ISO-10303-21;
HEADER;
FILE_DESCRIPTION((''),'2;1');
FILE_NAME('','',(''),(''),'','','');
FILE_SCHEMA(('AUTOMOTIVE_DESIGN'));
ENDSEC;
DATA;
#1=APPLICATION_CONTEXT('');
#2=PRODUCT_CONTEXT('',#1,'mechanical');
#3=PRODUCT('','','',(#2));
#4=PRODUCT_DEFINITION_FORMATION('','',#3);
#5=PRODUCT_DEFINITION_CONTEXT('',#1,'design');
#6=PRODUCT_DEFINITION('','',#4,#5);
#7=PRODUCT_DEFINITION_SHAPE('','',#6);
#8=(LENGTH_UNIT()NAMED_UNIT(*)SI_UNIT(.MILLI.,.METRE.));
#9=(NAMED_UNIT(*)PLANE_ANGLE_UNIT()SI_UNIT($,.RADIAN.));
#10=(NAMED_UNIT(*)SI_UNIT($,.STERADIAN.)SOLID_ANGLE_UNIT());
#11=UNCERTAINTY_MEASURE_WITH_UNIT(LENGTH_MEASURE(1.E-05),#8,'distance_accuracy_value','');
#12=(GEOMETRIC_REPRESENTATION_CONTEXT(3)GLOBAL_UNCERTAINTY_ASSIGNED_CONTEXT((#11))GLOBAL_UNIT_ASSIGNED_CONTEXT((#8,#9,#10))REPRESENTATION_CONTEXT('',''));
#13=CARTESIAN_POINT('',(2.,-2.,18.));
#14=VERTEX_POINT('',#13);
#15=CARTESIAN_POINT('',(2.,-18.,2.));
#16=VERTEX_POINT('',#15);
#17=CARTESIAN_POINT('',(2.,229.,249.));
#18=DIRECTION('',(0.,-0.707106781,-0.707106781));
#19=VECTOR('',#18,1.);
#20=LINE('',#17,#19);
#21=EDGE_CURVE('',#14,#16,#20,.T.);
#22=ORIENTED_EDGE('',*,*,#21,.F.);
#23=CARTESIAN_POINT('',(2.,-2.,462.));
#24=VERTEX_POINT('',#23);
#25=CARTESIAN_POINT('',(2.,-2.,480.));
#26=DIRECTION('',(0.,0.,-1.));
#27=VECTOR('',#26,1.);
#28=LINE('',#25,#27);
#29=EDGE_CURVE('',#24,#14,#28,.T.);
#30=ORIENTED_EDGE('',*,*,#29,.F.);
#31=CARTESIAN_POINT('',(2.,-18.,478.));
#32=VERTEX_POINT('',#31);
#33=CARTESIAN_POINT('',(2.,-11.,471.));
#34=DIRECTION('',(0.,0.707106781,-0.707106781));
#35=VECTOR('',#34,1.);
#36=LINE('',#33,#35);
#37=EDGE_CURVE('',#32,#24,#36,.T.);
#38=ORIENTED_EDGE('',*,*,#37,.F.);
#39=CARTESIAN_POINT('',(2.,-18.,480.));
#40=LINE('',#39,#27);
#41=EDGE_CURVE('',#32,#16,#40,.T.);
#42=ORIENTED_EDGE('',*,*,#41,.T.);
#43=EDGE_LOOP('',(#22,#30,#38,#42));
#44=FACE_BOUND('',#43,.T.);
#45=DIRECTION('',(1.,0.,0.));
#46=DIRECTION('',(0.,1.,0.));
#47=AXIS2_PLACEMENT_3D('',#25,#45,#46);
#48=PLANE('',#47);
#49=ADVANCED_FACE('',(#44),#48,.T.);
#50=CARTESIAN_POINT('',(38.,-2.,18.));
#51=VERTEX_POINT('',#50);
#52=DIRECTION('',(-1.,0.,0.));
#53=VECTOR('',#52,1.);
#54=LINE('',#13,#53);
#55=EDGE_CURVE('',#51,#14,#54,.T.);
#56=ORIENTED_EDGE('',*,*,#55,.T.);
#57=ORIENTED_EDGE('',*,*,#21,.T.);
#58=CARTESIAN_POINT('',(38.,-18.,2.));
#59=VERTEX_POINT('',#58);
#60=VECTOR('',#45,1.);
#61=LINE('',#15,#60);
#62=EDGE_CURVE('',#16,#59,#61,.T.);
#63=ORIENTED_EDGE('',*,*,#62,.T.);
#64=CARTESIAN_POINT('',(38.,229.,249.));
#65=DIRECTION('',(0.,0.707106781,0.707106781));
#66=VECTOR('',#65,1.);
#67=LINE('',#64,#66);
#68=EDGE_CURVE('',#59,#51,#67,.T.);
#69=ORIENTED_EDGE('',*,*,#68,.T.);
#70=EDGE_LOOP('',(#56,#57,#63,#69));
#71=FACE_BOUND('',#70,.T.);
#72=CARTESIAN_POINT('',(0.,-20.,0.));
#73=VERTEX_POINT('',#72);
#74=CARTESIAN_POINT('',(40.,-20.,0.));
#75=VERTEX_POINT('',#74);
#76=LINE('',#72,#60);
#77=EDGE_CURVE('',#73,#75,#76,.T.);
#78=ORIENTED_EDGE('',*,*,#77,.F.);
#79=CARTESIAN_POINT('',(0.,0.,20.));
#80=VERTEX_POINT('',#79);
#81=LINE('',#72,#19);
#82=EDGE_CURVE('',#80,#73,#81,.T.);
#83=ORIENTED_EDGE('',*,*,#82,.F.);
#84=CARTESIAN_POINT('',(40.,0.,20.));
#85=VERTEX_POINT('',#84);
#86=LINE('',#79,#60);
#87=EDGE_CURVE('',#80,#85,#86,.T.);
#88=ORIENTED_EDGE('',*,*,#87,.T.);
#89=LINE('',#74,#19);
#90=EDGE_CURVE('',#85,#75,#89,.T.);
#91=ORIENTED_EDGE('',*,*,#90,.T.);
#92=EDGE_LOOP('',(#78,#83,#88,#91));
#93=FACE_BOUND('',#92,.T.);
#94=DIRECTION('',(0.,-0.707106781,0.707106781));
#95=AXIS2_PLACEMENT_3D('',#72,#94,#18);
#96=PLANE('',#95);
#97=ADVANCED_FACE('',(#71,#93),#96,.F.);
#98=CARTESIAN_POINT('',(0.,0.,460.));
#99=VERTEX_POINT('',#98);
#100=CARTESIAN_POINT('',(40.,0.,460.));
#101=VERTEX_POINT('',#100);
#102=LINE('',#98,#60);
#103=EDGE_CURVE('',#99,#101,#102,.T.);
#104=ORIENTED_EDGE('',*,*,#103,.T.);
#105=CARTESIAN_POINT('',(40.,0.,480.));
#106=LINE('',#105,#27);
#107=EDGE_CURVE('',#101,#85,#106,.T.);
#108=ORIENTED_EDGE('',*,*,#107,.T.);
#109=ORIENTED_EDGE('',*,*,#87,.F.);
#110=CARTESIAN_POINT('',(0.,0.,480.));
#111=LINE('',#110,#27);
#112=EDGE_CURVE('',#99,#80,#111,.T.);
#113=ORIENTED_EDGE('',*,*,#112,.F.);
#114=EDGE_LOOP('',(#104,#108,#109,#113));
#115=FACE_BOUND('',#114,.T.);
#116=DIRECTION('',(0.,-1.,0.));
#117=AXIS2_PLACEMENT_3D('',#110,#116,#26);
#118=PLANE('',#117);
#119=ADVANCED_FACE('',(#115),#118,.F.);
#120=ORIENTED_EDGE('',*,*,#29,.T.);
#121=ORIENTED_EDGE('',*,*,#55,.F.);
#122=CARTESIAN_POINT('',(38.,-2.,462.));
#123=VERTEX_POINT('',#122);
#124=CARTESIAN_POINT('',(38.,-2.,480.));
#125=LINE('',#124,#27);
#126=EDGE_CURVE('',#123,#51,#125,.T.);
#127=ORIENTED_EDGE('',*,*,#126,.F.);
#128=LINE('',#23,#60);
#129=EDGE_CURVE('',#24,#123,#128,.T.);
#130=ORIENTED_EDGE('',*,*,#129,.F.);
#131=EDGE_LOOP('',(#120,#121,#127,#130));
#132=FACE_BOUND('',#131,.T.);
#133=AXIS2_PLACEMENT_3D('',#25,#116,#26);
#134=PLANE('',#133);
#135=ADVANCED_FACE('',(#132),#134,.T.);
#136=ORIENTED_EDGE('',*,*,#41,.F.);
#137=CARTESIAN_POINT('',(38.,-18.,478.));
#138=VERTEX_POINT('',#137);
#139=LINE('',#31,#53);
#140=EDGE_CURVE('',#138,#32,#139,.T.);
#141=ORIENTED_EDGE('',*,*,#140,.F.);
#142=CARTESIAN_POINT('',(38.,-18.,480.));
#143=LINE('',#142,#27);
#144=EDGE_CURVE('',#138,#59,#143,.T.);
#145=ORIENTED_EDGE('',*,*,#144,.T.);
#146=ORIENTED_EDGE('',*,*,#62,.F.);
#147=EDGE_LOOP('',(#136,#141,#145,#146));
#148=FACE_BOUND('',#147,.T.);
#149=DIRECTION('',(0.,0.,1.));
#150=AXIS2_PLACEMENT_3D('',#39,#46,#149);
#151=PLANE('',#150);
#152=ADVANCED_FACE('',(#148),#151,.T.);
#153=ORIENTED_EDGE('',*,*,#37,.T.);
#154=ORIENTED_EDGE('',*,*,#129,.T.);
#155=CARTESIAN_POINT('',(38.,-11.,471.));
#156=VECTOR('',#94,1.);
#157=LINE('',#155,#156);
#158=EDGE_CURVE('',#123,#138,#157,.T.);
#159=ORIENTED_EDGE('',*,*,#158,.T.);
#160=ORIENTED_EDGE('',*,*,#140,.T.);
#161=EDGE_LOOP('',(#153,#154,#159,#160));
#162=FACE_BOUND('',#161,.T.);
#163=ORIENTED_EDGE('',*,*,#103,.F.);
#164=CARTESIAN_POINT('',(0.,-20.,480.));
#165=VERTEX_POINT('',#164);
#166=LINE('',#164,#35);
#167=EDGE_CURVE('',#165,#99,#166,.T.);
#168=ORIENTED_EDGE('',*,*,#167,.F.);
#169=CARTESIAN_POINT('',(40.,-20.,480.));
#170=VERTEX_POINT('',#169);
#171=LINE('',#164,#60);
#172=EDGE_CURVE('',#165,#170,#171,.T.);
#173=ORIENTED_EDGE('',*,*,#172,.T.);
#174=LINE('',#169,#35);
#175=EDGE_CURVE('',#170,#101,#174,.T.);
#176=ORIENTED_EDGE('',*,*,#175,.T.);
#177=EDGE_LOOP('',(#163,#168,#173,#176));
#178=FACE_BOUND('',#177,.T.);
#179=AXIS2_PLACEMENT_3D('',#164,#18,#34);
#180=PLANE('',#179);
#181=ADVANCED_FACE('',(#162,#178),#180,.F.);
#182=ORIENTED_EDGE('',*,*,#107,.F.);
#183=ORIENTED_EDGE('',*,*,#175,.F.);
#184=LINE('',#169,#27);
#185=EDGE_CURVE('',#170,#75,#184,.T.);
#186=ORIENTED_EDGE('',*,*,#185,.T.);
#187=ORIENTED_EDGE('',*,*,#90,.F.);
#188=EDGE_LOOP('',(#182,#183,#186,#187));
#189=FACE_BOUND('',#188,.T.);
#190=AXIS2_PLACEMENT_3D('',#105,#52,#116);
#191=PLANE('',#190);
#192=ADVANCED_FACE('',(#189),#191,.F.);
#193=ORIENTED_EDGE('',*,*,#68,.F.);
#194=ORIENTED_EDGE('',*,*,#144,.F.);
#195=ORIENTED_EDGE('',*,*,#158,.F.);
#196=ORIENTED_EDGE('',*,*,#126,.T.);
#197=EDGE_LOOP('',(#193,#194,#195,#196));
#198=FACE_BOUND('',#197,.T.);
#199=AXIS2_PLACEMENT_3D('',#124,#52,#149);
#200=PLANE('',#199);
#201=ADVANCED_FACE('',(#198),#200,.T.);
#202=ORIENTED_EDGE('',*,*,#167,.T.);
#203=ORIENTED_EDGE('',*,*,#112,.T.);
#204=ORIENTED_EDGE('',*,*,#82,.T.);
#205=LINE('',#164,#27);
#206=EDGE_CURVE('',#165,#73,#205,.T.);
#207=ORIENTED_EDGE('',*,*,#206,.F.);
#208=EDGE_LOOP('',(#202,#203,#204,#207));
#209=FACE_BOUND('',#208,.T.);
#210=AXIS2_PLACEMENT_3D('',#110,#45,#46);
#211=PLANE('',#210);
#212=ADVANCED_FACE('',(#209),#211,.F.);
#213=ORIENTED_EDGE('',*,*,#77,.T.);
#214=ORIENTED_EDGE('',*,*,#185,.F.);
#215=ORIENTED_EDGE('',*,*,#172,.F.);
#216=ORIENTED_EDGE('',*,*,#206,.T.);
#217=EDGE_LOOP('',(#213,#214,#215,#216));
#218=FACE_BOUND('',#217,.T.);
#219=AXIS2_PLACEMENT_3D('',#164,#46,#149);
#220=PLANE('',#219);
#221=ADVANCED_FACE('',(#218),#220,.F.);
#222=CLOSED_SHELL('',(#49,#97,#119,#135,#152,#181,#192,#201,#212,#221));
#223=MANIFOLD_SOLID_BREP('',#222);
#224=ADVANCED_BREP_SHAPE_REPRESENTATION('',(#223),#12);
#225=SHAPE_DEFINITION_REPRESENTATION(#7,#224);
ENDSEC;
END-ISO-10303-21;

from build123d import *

# Parameters (mm, degrees)
SKETCH1_W           = 40
SKETCH1_H           = 20
SKETCH1_W_2         = 36
SKETCH1_H_2         = 16
BOSS_EXTRUDE1_DEPTH = 480
CUT_EXTRUDE1_DEPTH  = 483.078831728


with BuildPart() as part:
    # Sketch1 → Boss-Extrude1 (new body)
    with BuildSketch(Plane.XY):
        with Locations((20, -10)):
            Rectangle(SKETCH1_W, SKETCH1_H)
        with Locations((20, -10)):
            Rectangle(SKETCH1_W_2, SKETCH1_H_2, mode=Mode.SUBTRACT)
    extrude(amount=BOSS_EXTRUDE1_DEPTH)

    # Sketch2 → Cut-Extrude1 (cut, through all)
    with BuildSketch(Plane(origin=(40, 0, 0), x_dir=(0, 0, -1), z_dir=(1, 0, 0))):
        Polygon((-480, -20), (-460, 0), (-480, 0), align=None)
        Polygon((-20, 0), (0, 0), (0, -20), align=None)
    extrude(amount=-CUT_EXTRUDE1_DEPTH, mode=Mode.SUBTRACT)


solid = part.part
